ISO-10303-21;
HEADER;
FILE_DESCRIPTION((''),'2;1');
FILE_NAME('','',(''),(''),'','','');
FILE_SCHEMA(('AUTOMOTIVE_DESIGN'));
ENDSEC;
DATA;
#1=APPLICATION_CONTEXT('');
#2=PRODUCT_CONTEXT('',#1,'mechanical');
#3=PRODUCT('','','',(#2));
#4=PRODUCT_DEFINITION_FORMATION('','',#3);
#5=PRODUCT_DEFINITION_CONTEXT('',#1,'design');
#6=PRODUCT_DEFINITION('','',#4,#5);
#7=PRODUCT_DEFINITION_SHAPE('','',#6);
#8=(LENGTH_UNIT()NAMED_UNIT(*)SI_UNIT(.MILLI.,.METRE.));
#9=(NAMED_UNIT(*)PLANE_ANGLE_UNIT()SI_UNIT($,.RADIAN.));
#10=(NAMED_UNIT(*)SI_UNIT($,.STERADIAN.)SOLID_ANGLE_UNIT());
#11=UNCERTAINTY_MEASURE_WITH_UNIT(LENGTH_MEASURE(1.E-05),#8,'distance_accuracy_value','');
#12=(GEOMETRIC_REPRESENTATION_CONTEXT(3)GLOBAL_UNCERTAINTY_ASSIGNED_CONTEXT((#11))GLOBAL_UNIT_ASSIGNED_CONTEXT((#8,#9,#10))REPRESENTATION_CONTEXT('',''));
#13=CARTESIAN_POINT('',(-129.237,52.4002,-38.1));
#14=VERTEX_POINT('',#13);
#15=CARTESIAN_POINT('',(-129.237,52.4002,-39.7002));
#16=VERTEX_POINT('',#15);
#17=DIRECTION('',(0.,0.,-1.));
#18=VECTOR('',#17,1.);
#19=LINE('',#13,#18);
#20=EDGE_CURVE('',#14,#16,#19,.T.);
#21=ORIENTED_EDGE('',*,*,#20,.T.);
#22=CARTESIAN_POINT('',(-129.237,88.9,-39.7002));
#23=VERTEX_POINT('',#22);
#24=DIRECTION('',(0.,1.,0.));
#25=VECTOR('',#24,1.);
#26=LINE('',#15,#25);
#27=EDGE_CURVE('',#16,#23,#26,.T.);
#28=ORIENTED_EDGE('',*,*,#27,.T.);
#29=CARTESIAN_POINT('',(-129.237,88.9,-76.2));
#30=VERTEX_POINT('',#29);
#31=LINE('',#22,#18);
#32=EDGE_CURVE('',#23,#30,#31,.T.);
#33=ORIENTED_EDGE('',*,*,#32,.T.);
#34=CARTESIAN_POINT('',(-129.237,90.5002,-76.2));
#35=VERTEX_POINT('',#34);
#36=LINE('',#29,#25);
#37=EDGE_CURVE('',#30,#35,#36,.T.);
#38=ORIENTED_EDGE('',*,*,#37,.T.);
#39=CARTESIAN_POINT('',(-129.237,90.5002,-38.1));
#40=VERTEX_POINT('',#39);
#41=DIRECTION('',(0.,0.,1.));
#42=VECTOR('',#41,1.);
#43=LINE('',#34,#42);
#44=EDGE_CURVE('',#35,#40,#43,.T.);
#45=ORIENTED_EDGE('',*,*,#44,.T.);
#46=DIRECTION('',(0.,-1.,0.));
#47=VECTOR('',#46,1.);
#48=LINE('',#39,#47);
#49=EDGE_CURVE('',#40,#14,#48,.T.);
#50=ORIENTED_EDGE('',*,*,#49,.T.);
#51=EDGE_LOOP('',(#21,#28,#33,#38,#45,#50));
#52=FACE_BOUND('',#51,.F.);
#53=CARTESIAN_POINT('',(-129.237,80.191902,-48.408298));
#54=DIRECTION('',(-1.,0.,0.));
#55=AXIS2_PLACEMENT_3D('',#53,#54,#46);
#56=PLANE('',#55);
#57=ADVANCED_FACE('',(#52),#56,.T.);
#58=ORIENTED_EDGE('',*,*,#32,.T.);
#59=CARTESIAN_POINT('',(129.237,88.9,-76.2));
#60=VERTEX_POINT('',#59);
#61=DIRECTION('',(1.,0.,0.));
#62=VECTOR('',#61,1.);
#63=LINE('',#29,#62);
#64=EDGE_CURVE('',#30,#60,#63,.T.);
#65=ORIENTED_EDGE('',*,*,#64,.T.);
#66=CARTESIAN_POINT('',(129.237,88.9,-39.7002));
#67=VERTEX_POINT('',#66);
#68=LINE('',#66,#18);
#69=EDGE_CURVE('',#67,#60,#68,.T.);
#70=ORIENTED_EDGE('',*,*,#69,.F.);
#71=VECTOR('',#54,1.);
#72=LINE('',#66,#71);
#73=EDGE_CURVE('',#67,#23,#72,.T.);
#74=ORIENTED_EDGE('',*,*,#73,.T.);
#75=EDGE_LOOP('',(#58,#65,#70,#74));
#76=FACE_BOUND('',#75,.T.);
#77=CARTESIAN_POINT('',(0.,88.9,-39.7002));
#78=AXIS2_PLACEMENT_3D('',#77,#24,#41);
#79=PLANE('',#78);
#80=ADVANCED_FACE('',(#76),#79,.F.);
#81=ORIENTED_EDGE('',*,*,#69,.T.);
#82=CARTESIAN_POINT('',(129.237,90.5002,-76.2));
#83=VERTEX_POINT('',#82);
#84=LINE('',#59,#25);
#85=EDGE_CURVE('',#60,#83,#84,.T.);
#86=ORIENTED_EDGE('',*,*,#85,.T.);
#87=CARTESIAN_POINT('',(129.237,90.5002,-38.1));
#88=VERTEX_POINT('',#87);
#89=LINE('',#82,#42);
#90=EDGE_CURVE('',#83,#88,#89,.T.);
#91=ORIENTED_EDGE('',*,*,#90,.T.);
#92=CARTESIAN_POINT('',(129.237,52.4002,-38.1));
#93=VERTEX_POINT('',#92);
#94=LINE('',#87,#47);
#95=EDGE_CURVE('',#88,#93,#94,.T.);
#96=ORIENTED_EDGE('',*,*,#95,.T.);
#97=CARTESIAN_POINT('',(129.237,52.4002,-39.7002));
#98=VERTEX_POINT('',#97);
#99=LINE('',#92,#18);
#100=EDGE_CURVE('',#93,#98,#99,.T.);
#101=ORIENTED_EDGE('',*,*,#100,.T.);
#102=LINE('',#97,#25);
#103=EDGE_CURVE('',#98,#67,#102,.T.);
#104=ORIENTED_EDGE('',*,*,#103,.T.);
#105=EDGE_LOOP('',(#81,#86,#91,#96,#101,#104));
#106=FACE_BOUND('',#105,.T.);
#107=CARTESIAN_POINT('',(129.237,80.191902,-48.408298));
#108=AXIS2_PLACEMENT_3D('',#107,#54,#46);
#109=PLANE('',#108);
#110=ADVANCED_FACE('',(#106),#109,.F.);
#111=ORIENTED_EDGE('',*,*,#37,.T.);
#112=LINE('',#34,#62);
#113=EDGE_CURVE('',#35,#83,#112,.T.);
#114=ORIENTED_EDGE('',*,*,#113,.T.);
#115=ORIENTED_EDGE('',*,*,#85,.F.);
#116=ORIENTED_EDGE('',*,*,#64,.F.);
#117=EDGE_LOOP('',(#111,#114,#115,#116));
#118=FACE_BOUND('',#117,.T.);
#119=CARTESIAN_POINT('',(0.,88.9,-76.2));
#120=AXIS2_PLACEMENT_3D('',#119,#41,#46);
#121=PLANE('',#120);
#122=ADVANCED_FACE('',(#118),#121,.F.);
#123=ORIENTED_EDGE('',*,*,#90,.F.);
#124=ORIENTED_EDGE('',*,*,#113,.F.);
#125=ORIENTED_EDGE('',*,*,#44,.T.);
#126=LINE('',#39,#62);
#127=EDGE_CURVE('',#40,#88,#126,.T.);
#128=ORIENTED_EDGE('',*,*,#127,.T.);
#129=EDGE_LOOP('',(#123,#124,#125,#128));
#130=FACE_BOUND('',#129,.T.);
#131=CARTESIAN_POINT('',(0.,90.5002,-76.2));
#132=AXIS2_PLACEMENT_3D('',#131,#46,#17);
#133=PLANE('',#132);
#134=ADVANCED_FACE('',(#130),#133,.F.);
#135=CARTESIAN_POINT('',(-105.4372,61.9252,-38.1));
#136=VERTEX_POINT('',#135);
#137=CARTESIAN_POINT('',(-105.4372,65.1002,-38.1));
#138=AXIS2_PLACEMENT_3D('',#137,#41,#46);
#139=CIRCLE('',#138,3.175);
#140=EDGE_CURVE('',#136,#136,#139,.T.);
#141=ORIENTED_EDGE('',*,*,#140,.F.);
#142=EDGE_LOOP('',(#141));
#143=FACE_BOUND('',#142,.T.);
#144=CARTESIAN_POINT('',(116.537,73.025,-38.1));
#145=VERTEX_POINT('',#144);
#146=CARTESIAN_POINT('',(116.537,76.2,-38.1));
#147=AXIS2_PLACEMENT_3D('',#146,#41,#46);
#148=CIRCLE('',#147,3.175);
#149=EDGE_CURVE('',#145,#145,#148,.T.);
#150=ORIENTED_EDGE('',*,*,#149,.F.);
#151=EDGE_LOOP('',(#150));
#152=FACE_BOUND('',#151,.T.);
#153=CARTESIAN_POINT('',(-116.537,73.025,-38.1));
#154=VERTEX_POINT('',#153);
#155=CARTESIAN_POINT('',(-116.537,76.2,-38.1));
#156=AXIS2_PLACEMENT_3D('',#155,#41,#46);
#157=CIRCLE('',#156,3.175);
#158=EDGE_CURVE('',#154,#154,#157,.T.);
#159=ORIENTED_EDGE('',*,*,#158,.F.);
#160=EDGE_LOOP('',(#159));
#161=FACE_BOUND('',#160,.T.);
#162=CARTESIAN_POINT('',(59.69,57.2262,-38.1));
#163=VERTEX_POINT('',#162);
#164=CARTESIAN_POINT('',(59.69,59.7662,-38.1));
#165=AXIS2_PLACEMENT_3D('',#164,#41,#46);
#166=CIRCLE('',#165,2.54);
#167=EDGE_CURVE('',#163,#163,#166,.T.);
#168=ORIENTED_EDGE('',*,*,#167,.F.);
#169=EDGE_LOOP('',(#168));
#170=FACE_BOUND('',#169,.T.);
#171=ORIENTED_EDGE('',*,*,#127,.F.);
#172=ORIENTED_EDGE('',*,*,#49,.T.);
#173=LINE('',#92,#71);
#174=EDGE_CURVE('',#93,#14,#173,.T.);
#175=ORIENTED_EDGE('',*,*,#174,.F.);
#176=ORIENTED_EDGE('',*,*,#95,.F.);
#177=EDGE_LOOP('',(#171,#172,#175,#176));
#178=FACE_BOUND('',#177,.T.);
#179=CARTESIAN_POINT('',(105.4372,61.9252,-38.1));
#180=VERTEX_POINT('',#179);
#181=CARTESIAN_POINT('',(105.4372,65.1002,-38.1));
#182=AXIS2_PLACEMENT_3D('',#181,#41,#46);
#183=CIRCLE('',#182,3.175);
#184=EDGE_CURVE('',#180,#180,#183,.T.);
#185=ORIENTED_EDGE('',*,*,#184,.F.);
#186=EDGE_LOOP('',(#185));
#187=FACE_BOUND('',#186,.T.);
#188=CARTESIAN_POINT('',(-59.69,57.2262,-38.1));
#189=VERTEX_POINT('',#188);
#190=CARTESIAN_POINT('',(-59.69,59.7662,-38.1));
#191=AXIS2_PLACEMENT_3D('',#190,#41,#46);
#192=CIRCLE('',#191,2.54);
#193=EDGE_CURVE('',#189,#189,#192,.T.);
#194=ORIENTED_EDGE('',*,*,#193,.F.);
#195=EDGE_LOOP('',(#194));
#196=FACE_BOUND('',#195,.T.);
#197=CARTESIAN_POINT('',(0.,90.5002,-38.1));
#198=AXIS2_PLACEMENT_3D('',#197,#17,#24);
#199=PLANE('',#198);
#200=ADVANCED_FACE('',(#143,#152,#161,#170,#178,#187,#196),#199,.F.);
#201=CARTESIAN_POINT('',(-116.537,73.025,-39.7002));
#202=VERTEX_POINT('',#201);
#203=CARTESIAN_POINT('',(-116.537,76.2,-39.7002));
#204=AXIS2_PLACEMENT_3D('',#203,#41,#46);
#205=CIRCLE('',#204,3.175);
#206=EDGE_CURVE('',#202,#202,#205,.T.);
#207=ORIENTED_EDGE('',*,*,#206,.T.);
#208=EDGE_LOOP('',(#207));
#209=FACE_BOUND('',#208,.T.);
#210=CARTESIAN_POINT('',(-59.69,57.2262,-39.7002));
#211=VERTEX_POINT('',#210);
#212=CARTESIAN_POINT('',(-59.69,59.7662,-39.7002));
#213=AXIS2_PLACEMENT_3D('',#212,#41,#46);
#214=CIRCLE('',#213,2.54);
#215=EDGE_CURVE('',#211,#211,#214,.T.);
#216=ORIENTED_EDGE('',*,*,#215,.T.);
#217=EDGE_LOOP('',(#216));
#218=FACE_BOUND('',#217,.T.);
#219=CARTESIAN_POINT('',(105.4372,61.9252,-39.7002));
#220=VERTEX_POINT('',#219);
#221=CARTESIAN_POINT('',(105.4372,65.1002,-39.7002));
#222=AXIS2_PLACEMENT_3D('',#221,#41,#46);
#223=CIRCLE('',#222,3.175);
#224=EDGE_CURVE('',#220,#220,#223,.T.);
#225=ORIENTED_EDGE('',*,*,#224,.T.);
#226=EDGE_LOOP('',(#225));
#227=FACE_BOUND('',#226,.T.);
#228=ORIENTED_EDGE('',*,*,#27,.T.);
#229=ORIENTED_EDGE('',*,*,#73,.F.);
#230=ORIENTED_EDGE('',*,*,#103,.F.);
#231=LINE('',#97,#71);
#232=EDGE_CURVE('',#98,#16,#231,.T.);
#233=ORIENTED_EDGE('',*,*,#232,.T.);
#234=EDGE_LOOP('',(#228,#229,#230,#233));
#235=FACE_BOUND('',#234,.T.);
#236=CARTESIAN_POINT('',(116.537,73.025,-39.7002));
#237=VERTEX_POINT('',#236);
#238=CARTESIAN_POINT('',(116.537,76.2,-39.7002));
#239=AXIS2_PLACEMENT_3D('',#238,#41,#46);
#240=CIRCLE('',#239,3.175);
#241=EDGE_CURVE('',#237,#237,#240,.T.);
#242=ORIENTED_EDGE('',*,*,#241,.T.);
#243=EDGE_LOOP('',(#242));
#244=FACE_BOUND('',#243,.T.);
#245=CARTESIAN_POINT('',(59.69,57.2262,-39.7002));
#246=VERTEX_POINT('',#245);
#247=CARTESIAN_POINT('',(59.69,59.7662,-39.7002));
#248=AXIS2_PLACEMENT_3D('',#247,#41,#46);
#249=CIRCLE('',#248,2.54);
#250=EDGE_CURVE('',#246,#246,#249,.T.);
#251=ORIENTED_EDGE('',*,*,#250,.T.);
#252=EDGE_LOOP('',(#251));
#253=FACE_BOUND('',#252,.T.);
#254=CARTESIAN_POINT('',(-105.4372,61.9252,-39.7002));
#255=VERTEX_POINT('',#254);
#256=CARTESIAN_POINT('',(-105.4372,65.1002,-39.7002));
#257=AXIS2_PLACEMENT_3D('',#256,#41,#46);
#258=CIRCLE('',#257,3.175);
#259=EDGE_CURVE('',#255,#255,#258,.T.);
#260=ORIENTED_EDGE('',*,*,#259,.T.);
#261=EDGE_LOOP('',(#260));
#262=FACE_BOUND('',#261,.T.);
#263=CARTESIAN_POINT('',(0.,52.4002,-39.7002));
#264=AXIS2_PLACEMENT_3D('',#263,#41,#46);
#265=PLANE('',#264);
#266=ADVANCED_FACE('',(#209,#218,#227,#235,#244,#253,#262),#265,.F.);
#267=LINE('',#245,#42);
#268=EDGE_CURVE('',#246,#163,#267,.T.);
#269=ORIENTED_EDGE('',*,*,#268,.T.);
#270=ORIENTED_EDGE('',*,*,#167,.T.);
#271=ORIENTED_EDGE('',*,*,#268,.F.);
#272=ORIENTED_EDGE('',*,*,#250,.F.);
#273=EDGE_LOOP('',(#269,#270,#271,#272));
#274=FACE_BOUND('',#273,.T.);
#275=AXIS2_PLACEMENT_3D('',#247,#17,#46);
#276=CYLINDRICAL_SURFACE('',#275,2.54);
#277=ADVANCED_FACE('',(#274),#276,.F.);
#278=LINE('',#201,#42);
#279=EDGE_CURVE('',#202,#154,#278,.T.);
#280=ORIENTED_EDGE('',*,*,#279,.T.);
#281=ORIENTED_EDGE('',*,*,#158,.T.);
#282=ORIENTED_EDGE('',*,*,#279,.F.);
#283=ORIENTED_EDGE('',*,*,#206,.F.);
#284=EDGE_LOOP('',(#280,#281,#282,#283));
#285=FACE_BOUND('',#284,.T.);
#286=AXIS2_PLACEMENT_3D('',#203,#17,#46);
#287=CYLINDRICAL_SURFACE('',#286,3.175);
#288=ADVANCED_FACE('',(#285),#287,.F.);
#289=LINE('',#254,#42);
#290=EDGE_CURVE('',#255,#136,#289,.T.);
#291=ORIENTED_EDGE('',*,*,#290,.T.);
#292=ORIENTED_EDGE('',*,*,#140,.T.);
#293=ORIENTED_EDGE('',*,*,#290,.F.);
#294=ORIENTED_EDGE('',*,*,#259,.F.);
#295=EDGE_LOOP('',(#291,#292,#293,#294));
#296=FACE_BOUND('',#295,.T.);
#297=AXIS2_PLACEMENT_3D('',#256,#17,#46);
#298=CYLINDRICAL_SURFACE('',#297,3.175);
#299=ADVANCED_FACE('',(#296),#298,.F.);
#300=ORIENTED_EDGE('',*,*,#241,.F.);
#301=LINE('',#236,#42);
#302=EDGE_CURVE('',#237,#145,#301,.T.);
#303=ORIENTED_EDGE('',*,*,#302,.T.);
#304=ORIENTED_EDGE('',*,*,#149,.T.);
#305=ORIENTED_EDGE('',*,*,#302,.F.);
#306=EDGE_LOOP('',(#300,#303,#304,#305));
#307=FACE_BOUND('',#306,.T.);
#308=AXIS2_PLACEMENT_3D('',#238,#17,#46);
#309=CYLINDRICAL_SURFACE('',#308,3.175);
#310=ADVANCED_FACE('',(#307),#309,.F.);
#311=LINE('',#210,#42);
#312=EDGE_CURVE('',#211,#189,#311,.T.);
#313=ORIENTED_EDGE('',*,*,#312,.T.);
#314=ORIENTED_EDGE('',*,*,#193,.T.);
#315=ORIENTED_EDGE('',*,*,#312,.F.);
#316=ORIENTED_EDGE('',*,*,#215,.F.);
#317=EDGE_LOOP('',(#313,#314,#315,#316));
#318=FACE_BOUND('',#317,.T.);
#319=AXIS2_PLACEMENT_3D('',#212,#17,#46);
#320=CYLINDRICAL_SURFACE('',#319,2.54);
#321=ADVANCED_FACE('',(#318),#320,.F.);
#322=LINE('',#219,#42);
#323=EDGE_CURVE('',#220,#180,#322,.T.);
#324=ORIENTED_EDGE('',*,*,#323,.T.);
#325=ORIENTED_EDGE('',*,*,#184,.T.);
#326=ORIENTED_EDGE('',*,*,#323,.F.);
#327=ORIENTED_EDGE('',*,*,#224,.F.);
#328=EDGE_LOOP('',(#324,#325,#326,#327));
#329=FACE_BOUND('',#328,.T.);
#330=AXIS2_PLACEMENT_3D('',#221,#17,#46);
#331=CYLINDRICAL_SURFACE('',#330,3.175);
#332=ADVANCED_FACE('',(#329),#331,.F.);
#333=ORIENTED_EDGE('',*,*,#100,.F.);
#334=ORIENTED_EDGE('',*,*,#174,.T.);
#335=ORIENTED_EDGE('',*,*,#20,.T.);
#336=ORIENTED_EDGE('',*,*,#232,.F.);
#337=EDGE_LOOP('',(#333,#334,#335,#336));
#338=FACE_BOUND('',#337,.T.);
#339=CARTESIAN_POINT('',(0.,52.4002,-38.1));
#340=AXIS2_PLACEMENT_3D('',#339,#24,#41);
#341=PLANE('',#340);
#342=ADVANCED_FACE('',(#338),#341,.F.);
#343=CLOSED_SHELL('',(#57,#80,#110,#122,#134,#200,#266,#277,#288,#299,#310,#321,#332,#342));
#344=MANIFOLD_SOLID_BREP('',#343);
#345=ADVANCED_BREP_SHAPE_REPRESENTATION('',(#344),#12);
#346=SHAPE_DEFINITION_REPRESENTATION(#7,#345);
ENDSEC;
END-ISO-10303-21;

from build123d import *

# Parameters (mm, degrees)
PAD007_DEPTH      = 129.237
PAD007_DEPTH_BACK = 129.237
SKETCH017_R       = 2.54
SKETCH017_R_2     = 3.175
POCKET007_DEPTH   = 1.6002


with BuildPart() as pocket007:
    # Sketch016 → Pad007 (new body, two sides)
    with BuildSketch(Plane(origin=(0, -90.5002, -38.1), x_dir=(0, 1, 0), z_dir=(1, 0, 0))) as pad007_sk:
        Polygon((0, 0), (38.1, 0), (38.1, -1.6002), (1.6002, -1.6002), (1.6002, -38.1), (0, -38.1), align=None)
    extrude(amount=PAD007_DEPTH)
    extrude(pad007_sk.sketch, amount=-PAD007_DEPTH_BACK)

    # Sketch017 → Pocket007 (cut)
    with BuildSketch(Plane(origin=(0, -90.5002, -39.7002), x_dir=(0, 1, 0), z_dir=(0, 0, -1))):
        with Locations((30.734, 59.69)):
            Circle(SKETCH017_R)
        with Locations((30.734, -59.69)):
            Circle(SKETCH017_R)
        with Locations((25.4, -105.4372)):
            Circle(SKETCH017_R_2)
        with Locations((14.3002, -116.537)):
            Circle(SKETCH017_R_2)
        with Locations((14.3002, 116.537)):
            Circle(SKETCH017_R_2)
        with Locations((25.4, 105.4372)):
            Circle(SKETCH017_R_2)
    extrude(amount=-POCKET007_DEPTH, mode=Mode.SUBTRACT)


with BuildPart() as part_mirroring005:
    # Part__Mirroring005: instance of Pocket007
    add(pocket007.part.mirror(Plane(origin=(0, 0, 0), x_dir=(1, 0, 0), z_dir=(0, 1, 0))))


solid = part_mirroring005.part
